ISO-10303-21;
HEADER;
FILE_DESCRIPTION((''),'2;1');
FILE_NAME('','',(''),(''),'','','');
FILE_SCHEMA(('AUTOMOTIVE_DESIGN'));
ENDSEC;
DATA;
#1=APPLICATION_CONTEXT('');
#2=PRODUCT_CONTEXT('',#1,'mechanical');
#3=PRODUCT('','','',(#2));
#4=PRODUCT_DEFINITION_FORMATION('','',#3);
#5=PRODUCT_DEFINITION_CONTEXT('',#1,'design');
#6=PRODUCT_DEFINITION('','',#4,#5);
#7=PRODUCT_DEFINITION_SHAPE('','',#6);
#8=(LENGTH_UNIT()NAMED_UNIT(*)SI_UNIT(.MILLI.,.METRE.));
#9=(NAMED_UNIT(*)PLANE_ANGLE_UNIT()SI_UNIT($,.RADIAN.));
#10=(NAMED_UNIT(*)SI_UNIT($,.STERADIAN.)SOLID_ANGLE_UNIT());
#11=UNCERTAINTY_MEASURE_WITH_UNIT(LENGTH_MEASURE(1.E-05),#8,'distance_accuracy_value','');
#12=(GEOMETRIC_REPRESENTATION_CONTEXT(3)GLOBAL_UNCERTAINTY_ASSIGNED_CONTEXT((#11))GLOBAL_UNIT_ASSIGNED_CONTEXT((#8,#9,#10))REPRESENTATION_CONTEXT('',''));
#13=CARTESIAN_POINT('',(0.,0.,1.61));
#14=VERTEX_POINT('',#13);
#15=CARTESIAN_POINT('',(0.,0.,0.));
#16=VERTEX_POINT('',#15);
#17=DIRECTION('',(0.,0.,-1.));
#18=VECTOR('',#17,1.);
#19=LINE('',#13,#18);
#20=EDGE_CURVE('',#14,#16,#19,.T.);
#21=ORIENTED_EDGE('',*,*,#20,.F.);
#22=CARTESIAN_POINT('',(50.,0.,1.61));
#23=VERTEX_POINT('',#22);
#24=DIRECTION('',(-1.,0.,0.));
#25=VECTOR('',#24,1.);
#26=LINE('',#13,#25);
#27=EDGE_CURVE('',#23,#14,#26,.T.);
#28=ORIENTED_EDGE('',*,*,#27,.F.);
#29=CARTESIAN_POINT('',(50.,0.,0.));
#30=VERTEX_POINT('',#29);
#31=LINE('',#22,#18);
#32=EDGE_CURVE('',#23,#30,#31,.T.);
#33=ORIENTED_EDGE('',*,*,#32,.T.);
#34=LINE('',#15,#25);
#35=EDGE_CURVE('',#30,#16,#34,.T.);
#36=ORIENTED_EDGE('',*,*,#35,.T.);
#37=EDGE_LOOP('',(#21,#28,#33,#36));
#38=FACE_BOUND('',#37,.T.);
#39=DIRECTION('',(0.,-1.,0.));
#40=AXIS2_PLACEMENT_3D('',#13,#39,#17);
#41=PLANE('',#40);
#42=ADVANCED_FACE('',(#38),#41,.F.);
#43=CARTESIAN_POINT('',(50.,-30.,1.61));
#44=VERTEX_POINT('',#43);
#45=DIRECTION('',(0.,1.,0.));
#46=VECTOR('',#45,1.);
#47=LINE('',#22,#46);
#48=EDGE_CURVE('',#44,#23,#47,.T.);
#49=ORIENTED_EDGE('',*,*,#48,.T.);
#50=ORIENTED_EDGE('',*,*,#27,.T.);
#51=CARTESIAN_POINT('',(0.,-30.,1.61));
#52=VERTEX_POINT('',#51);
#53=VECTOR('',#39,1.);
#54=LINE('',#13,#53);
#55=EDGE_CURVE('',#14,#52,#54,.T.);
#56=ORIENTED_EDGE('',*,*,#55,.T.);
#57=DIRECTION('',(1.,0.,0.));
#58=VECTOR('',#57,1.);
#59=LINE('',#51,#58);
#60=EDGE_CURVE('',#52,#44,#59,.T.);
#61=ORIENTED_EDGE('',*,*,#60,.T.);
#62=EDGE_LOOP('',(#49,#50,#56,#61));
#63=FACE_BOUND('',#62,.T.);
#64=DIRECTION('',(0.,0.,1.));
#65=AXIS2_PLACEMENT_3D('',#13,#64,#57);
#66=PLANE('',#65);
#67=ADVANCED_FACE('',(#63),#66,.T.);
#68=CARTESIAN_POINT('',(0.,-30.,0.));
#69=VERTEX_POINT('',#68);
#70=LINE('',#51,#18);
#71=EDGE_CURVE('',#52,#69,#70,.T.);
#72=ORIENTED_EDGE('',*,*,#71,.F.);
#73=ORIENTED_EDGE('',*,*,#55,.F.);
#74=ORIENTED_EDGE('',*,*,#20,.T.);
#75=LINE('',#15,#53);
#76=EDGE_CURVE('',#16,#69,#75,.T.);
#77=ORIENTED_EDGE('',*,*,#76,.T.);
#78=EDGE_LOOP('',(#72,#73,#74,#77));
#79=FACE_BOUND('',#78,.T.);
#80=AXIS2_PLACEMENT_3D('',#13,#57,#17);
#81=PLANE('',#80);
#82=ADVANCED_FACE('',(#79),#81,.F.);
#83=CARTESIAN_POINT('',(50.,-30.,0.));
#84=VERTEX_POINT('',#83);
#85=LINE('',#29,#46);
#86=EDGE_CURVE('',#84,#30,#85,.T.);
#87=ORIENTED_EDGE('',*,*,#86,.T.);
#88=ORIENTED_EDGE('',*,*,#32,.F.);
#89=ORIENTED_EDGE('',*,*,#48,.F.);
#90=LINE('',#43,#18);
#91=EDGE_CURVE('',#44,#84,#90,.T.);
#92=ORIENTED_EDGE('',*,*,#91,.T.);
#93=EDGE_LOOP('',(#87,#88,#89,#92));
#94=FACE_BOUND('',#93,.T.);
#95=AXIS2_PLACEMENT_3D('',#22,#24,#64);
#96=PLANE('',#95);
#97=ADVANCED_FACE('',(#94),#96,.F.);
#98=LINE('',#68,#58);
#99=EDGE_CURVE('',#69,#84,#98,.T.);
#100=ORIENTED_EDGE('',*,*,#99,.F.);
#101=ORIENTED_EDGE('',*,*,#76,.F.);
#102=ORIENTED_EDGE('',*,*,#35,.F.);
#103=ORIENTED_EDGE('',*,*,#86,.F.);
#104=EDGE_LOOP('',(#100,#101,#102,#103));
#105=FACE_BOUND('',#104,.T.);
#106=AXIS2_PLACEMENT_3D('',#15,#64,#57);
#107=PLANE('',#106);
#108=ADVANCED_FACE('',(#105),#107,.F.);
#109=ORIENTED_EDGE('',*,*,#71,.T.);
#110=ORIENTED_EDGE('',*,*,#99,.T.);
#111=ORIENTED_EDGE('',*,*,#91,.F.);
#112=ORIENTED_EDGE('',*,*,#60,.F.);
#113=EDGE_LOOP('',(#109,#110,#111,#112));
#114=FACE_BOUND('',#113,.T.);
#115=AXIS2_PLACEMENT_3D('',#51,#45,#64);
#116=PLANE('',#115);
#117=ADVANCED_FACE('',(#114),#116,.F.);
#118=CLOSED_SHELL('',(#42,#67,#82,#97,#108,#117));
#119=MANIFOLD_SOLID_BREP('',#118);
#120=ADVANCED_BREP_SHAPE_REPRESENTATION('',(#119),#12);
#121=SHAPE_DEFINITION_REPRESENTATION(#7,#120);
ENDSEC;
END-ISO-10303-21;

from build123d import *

# Parameters (mm, degrees)
CROQUIS1_W              = 50
CROQUIS1_H              = 30
SALIENTE_EXTRUIR1_DEPTH = 1.61


with BuildPart() as part:
    # Croquis1 → Saliente-Extruir1 (new body)
    with BuildSketch(Plane.XY):
        with Locations((25, -15)):
            Rectangle(CROQUIS1_W, CROQUIS1_H)
    extrude(amount=SALIENTE_EXTRUIR1_DEPTH)


solid = part.part
